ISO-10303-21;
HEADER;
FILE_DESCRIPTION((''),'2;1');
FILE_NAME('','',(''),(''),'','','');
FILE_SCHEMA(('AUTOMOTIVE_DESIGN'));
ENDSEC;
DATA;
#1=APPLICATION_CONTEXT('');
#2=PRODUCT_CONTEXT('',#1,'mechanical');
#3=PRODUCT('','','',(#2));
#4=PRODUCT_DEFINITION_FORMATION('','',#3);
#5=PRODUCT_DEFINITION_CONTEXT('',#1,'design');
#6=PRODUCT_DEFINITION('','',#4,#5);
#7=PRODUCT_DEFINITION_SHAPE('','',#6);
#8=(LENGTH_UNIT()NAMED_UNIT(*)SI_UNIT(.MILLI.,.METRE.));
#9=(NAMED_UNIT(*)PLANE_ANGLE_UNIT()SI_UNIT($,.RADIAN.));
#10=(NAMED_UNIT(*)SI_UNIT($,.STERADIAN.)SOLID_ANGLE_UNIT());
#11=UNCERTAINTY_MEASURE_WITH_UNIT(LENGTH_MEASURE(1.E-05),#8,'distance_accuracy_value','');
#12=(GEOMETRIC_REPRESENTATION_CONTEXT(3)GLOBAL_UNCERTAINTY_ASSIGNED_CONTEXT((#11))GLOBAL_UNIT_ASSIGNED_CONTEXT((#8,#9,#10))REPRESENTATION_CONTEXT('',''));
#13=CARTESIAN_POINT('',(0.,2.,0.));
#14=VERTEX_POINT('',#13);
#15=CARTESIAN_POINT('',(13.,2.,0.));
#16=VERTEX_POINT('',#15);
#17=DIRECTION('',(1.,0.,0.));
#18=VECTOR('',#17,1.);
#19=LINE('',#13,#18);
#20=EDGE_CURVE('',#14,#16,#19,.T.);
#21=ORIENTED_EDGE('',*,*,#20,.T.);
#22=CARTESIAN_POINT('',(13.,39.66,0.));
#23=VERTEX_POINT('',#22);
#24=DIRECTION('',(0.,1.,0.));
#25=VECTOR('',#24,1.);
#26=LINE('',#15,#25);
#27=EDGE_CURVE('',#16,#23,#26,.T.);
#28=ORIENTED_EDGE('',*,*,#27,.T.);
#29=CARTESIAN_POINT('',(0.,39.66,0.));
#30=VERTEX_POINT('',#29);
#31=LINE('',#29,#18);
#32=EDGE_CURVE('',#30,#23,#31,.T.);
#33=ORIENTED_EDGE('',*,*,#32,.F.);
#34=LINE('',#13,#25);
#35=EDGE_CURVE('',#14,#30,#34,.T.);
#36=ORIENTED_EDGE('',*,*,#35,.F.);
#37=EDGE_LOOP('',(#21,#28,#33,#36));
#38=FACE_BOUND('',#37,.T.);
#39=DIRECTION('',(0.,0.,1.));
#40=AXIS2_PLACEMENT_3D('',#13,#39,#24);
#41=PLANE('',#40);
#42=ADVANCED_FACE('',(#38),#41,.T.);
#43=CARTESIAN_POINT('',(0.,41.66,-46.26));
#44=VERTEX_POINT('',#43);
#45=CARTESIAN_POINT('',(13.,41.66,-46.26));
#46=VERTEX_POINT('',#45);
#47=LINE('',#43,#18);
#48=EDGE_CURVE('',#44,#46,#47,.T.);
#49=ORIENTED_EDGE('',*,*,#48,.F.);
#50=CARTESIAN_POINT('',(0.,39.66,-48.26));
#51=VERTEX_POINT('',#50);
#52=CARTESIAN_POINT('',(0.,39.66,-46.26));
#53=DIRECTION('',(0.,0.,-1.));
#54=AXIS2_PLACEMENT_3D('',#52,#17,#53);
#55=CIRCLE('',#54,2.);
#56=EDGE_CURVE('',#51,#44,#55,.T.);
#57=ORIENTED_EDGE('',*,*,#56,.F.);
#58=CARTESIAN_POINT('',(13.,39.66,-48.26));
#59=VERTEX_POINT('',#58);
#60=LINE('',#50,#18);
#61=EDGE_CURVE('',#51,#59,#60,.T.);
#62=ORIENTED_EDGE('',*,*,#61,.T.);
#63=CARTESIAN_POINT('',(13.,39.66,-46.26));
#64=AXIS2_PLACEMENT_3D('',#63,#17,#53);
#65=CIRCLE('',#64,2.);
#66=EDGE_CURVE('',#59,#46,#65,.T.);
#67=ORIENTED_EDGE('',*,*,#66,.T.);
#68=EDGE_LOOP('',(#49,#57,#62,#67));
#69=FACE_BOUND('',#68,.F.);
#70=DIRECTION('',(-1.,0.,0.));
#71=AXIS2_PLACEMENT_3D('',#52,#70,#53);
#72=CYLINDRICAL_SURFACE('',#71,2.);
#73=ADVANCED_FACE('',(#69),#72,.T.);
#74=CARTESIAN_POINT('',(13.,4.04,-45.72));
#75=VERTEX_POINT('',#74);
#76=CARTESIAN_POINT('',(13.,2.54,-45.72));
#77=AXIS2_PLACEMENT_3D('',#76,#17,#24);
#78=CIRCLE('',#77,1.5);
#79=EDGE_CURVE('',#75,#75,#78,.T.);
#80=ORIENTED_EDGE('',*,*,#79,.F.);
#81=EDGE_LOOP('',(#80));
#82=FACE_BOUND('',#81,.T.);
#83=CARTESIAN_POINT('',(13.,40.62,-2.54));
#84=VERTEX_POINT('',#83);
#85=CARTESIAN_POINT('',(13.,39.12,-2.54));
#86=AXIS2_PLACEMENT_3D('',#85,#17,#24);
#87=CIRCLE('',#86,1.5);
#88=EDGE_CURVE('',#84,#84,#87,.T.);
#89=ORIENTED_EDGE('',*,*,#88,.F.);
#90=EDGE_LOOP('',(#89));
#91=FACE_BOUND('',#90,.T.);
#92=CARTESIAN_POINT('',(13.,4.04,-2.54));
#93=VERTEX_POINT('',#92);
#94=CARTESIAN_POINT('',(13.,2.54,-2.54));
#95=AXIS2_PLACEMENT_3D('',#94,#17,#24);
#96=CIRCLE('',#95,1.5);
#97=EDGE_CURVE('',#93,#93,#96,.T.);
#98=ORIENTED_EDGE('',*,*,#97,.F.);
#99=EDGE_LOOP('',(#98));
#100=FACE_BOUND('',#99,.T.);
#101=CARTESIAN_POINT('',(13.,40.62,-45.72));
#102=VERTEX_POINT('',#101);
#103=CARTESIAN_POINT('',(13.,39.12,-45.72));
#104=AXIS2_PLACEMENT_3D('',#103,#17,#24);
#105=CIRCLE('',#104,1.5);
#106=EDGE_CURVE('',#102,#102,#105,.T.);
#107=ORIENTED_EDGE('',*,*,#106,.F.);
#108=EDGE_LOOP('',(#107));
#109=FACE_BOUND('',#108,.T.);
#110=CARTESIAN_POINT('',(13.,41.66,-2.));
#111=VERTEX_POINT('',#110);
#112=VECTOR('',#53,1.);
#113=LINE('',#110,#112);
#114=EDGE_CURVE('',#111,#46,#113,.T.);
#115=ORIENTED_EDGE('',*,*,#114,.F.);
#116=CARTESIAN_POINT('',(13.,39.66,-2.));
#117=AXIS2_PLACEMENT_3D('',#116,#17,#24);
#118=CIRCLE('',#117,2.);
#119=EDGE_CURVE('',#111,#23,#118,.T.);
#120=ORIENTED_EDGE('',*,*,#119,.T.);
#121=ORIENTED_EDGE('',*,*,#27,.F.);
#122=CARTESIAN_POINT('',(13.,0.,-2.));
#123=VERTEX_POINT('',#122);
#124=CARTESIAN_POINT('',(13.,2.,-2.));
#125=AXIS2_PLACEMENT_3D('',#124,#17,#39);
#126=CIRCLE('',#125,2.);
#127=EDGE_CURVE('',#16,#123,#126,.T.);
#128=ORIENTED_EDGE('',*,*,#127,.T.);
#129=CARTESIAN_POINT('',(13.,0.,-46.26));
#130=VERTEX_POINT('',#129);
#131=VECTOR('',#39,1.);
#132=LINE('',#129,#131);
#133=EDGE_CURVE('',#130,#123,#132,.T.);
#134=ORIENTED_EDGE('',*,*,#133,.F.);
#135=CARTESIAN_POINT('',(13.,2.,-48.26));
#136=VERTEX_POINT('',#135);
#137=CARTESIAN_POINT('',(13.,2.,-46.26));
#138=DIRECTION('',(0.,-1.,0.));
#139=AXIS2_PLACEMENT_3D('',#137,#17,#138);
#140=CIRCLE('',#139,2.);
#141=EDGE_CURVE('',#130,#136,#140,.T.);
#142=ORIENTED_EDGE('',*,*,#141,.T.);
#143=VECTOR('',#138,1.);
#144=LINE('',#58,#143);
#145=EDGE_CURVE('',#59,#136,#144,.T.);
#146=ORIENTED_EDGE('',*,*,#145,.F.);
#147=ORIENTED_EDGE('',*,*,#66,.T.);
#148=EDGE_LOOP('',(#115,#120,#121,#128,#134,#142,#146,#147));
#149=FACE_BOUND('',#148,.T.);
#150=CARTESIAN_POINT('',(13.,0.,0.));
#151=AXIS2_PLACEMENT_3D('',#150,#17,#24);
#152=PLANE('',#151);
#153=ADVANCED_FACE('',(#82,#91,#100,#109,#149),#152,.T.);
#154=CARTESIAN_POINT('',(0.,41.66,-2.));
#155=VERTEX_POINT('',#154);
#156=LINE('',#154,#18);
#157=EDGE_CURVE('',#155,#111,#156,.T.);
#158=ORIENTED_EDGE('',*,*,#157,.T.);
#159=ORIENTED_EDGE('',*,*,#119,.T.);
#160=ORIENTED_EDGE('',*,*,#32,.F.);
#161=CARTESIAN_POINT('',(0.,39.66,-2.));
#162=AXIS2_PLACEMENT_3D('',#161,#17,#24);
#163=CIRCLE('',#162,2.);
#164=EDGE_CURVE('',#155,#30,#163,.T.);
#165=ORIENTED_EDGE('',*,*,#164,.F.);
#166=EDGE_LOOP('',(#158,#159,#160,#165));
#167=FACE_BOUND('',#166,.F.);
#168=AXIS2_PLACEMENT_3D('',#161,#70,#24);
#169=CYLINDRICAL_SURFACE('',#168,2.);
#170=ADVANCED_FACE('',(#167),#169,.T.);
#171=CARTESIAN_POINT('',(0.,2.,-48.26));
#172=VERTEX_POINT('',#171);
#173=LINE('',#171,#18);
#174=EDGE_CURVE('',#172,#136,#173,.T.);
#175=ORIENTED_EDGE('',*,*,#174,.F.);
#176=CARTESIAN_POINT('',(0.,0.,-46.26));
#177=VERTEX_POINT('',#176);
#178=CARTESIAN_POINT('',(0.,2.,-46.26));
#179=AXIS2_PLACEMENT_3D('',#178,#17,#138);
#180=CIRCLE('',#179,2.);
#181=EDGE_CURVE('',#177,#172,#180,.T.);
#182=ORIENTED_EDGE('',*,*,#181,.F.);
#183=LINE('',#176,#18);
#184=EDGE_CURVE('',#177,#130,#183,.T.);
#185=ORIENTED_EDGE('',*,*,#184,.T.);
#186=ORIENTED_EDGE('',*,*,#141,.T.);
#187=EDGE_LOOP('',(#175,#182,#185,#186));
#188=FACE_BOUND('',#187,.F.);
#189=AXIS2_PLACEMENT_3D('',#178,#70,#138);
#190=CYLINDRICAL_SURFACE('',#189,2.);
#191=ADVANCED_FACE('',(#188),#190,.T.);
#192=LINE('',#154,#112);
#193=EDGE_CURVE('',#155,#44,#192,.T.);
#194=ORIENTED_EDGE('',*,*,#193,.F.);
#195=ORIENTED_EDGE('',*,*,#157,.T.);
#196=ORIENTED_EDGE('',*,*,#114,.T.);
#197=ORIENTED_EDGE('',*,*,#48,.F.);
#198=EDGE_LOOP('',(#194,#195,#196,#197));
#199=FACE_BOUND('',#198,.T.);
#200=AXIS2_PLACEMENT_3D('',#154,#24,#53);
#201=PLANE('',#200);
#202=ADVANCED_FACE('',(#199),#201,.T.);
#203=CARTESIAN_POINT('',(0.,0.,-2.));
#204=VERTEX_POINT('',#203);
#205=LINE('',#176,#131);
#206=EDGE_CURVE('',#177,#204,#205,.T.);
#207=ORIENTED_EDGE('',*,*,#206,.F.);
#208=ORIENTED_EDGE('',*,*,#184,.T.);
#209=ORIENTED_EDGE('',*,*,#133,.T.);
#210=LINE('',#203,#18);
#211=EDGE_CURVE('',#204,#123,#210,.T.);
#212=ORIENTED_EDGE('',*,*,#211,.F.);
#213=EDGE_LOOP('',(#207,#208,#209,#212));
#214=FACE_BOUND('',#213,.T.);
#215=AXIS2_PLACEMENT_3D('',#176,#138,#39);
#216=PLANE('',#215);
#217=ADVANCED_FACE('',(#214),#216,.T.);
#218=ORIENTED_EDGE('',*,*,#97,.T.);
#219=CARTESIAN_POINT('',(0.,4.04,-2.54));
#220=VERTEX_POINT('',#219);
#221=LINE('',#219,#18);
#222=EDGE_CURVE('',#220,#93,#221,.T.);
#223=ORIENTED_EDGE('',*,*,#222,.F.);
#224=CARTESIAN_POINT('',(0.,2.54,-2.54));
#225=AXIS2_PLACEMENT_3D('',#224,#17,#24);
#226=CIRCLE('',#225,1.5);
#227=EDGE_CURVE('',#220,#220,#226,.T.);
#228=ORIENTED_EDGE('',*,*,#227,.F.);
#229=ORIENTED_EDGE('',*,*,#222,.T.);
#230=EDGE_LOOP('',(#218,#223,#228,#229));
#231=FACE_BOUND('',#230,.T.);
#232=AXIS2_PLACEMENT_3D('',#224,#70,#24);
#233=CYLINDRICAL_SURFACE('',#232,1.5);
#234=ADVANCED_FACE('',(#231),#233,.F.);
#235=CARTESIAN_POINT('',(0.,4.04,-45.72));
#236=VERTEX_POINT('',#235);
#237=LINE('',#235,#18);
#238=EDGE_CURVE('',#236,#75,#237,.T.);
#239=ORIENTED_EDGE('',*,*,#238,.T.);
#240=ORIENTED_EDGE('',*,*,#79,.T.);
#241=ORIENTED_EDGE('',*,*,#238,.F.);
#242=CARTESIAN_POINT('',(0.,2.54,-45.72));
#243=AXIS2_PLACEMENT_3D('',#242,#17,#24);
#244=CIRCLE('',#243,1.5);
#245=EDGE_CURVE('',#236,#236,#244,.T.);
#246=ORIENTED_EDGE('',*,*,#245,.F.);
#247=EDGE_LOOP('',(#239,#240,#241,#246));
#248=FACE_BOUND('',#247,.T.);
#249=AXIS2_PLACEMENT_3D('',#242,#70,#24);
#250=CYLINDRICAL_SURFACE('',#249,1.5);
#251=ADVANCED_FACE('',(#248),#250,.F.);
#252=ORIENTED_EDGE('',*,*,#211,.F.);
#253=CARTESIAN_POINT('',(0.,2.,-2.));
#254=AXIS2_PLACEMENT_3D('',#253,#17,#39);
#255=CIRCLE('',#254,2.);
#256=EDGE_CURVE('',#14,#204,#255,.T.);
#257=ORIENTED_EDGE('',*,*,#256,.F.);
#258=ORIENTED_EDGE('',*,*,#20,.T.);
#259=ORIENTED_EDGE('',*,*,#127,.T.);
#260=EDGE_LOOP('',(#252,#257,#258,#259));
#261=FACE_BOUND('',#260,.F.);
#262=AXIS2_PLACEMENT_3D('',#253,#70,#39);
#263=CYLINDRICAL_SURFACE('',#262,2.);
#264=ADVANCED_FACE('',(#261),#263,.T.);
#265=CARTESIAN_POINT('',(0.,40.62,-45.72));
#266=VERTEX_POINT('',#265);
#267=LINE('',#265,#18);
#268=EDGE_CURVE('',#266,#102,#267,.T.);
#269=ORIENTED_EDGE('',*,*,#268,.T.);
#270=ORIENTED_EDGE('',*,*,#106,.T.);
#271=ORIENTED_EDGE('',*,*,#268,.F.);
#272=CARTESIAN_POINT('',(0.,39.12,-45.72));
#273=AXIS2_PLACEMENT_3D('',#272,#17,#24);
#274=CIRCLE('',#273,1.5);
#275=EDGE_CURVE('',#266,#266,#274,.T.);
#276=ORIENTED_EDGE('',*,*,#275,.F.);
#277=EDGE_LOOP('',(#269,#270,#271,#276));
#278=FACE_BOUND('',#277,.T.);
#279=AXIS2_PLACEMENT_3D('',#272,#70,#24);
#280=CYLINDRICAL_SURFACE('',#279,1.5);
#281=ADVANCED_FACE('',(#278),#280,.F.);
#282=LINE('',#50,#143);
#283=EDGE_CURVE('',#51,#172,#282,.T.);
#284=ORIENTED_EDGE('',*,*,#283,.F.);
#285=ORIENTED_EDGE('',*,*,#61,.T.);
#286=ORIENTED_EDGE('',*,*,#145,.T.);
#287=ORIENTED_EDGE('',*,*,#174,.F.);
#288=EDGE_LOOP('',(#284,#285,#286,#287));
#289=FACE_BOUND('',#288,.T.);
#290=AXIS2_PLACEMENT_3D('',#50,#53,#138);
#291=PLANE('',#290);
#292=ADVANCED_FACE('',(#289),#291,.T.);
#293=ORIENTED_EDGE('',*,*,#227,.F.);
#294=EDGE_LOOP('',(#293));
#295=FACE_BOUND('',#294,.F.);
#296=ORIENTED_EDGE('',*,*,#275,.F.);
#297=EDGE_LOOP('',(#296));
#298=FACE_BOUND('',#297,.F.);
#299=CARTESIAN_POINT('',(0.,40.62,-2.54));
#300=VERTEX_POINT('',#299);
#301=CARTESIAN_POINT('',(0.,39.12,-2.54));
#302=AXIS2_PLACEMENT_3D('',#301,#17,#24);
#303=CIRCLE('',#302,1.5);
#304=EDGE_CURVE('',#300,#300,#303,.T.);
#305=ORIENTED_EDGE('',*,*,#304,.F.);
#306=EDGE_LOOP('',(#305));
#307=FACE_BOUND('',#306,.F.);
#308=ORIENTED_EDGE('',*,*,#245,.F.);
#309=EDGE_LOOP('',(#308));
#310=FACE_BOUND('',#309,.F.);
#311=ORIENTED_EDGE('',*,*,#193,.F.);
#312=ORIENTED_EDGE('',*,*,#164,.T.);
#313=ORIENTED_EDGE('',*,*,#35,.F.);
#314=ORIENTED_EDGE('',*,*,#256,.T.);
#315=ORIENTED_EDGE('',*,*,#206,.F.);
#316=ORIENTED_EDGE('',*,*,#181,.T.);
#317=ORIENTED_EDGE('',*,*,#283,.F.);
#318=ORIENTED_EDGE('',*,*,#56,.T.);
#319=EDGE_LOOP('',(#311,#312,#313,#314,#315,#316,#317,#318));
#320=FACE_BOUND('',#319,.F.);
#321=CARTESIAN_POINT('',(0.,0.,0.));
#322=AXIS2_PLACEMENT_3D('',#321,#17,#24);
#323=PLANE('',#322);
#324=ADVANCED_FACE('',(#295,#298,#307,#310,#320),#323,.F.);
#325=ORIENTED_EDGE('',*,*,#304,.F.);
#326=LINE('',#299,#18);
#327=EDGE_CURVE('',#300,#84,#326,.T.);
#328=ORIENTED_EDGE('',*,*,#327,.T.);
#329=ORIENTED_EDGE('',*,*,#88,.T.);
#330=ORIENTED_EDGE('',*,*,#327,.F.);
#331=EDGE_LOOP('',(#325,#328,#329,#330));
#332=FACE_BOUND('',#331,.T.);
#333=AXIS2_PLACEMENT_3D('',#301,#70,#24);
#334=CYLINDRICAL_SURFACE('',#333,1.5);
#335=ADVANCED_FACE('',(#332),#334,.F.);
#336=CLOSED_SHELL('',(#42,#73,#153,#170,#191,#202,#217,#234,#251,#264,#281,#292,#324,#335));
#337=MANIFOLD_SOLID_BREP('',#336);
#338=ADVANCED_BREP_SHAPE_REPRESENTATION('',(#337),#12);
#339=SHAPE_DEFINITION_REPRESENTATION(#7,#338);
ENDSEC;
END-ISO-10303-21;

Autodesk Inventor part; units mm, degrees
ref_plane "YZ Plane" through (0, 0, 0) normal (1, 0, 0) x (0, 1, 0)
ref_plane "XZ Plane" through (0, 0, 0) normal (0, 1, 0) x (-1, 0, 0)
ref_plane "XY Plane" through (0, 0, 0) normal (0, 0, 1) x (1, 0, 0)
sketch "Esquisse1" plane through (0, 0, 0) normal (1, 0, 0) x (0, 1, 0)
  line L0 (2, 0) -> (39.66, 0)
  line L1 (41.66, -2) -> (41.66, -46.26)
  line L2 (39.66, -48.26) -> (2, -48.26)
  line L3 (0, -46.26) -> (0, -2)
  arc A0 (41.66, -2) -> (39.66, 0) centre (39.66, -2) ccw
  arc A1 (39.66, -48.26) -> (41.66, -46.26) centre (39.66, -46.26) ccw
  arc A2 (0, -46.26) -> (2, -48.26) centre (2, -46.26) ccw
  arc A3 (2, 0) -> (0, -2) centre (2, -2) ccw
  circle A4 centre (2.54, -2.54) radius 1.5
  circle A5 centre (2.54, -45.72) radius 1.5
  circle A6 centre (39.12, -2.54) radius 1.5
  circle A7 centre (39.12, -45.72) radius 1.5
  point P0 (0, 0)
  point P1 (41.66, -48.26)
  point P2 (41.66, 0)
  point P3 (0, -48.26)
  dimension "d0" = 41.66
  dimension "d1" = 48.26
  dimension "d2" = 2
  dimension "d3" = 3
  dimension "d6" = 43.18
  dimension "d9" = 36.58
extrude "Extrusion1" add sketch "Esquisse1" along normal blind 13
properties part number "MDD3A"
